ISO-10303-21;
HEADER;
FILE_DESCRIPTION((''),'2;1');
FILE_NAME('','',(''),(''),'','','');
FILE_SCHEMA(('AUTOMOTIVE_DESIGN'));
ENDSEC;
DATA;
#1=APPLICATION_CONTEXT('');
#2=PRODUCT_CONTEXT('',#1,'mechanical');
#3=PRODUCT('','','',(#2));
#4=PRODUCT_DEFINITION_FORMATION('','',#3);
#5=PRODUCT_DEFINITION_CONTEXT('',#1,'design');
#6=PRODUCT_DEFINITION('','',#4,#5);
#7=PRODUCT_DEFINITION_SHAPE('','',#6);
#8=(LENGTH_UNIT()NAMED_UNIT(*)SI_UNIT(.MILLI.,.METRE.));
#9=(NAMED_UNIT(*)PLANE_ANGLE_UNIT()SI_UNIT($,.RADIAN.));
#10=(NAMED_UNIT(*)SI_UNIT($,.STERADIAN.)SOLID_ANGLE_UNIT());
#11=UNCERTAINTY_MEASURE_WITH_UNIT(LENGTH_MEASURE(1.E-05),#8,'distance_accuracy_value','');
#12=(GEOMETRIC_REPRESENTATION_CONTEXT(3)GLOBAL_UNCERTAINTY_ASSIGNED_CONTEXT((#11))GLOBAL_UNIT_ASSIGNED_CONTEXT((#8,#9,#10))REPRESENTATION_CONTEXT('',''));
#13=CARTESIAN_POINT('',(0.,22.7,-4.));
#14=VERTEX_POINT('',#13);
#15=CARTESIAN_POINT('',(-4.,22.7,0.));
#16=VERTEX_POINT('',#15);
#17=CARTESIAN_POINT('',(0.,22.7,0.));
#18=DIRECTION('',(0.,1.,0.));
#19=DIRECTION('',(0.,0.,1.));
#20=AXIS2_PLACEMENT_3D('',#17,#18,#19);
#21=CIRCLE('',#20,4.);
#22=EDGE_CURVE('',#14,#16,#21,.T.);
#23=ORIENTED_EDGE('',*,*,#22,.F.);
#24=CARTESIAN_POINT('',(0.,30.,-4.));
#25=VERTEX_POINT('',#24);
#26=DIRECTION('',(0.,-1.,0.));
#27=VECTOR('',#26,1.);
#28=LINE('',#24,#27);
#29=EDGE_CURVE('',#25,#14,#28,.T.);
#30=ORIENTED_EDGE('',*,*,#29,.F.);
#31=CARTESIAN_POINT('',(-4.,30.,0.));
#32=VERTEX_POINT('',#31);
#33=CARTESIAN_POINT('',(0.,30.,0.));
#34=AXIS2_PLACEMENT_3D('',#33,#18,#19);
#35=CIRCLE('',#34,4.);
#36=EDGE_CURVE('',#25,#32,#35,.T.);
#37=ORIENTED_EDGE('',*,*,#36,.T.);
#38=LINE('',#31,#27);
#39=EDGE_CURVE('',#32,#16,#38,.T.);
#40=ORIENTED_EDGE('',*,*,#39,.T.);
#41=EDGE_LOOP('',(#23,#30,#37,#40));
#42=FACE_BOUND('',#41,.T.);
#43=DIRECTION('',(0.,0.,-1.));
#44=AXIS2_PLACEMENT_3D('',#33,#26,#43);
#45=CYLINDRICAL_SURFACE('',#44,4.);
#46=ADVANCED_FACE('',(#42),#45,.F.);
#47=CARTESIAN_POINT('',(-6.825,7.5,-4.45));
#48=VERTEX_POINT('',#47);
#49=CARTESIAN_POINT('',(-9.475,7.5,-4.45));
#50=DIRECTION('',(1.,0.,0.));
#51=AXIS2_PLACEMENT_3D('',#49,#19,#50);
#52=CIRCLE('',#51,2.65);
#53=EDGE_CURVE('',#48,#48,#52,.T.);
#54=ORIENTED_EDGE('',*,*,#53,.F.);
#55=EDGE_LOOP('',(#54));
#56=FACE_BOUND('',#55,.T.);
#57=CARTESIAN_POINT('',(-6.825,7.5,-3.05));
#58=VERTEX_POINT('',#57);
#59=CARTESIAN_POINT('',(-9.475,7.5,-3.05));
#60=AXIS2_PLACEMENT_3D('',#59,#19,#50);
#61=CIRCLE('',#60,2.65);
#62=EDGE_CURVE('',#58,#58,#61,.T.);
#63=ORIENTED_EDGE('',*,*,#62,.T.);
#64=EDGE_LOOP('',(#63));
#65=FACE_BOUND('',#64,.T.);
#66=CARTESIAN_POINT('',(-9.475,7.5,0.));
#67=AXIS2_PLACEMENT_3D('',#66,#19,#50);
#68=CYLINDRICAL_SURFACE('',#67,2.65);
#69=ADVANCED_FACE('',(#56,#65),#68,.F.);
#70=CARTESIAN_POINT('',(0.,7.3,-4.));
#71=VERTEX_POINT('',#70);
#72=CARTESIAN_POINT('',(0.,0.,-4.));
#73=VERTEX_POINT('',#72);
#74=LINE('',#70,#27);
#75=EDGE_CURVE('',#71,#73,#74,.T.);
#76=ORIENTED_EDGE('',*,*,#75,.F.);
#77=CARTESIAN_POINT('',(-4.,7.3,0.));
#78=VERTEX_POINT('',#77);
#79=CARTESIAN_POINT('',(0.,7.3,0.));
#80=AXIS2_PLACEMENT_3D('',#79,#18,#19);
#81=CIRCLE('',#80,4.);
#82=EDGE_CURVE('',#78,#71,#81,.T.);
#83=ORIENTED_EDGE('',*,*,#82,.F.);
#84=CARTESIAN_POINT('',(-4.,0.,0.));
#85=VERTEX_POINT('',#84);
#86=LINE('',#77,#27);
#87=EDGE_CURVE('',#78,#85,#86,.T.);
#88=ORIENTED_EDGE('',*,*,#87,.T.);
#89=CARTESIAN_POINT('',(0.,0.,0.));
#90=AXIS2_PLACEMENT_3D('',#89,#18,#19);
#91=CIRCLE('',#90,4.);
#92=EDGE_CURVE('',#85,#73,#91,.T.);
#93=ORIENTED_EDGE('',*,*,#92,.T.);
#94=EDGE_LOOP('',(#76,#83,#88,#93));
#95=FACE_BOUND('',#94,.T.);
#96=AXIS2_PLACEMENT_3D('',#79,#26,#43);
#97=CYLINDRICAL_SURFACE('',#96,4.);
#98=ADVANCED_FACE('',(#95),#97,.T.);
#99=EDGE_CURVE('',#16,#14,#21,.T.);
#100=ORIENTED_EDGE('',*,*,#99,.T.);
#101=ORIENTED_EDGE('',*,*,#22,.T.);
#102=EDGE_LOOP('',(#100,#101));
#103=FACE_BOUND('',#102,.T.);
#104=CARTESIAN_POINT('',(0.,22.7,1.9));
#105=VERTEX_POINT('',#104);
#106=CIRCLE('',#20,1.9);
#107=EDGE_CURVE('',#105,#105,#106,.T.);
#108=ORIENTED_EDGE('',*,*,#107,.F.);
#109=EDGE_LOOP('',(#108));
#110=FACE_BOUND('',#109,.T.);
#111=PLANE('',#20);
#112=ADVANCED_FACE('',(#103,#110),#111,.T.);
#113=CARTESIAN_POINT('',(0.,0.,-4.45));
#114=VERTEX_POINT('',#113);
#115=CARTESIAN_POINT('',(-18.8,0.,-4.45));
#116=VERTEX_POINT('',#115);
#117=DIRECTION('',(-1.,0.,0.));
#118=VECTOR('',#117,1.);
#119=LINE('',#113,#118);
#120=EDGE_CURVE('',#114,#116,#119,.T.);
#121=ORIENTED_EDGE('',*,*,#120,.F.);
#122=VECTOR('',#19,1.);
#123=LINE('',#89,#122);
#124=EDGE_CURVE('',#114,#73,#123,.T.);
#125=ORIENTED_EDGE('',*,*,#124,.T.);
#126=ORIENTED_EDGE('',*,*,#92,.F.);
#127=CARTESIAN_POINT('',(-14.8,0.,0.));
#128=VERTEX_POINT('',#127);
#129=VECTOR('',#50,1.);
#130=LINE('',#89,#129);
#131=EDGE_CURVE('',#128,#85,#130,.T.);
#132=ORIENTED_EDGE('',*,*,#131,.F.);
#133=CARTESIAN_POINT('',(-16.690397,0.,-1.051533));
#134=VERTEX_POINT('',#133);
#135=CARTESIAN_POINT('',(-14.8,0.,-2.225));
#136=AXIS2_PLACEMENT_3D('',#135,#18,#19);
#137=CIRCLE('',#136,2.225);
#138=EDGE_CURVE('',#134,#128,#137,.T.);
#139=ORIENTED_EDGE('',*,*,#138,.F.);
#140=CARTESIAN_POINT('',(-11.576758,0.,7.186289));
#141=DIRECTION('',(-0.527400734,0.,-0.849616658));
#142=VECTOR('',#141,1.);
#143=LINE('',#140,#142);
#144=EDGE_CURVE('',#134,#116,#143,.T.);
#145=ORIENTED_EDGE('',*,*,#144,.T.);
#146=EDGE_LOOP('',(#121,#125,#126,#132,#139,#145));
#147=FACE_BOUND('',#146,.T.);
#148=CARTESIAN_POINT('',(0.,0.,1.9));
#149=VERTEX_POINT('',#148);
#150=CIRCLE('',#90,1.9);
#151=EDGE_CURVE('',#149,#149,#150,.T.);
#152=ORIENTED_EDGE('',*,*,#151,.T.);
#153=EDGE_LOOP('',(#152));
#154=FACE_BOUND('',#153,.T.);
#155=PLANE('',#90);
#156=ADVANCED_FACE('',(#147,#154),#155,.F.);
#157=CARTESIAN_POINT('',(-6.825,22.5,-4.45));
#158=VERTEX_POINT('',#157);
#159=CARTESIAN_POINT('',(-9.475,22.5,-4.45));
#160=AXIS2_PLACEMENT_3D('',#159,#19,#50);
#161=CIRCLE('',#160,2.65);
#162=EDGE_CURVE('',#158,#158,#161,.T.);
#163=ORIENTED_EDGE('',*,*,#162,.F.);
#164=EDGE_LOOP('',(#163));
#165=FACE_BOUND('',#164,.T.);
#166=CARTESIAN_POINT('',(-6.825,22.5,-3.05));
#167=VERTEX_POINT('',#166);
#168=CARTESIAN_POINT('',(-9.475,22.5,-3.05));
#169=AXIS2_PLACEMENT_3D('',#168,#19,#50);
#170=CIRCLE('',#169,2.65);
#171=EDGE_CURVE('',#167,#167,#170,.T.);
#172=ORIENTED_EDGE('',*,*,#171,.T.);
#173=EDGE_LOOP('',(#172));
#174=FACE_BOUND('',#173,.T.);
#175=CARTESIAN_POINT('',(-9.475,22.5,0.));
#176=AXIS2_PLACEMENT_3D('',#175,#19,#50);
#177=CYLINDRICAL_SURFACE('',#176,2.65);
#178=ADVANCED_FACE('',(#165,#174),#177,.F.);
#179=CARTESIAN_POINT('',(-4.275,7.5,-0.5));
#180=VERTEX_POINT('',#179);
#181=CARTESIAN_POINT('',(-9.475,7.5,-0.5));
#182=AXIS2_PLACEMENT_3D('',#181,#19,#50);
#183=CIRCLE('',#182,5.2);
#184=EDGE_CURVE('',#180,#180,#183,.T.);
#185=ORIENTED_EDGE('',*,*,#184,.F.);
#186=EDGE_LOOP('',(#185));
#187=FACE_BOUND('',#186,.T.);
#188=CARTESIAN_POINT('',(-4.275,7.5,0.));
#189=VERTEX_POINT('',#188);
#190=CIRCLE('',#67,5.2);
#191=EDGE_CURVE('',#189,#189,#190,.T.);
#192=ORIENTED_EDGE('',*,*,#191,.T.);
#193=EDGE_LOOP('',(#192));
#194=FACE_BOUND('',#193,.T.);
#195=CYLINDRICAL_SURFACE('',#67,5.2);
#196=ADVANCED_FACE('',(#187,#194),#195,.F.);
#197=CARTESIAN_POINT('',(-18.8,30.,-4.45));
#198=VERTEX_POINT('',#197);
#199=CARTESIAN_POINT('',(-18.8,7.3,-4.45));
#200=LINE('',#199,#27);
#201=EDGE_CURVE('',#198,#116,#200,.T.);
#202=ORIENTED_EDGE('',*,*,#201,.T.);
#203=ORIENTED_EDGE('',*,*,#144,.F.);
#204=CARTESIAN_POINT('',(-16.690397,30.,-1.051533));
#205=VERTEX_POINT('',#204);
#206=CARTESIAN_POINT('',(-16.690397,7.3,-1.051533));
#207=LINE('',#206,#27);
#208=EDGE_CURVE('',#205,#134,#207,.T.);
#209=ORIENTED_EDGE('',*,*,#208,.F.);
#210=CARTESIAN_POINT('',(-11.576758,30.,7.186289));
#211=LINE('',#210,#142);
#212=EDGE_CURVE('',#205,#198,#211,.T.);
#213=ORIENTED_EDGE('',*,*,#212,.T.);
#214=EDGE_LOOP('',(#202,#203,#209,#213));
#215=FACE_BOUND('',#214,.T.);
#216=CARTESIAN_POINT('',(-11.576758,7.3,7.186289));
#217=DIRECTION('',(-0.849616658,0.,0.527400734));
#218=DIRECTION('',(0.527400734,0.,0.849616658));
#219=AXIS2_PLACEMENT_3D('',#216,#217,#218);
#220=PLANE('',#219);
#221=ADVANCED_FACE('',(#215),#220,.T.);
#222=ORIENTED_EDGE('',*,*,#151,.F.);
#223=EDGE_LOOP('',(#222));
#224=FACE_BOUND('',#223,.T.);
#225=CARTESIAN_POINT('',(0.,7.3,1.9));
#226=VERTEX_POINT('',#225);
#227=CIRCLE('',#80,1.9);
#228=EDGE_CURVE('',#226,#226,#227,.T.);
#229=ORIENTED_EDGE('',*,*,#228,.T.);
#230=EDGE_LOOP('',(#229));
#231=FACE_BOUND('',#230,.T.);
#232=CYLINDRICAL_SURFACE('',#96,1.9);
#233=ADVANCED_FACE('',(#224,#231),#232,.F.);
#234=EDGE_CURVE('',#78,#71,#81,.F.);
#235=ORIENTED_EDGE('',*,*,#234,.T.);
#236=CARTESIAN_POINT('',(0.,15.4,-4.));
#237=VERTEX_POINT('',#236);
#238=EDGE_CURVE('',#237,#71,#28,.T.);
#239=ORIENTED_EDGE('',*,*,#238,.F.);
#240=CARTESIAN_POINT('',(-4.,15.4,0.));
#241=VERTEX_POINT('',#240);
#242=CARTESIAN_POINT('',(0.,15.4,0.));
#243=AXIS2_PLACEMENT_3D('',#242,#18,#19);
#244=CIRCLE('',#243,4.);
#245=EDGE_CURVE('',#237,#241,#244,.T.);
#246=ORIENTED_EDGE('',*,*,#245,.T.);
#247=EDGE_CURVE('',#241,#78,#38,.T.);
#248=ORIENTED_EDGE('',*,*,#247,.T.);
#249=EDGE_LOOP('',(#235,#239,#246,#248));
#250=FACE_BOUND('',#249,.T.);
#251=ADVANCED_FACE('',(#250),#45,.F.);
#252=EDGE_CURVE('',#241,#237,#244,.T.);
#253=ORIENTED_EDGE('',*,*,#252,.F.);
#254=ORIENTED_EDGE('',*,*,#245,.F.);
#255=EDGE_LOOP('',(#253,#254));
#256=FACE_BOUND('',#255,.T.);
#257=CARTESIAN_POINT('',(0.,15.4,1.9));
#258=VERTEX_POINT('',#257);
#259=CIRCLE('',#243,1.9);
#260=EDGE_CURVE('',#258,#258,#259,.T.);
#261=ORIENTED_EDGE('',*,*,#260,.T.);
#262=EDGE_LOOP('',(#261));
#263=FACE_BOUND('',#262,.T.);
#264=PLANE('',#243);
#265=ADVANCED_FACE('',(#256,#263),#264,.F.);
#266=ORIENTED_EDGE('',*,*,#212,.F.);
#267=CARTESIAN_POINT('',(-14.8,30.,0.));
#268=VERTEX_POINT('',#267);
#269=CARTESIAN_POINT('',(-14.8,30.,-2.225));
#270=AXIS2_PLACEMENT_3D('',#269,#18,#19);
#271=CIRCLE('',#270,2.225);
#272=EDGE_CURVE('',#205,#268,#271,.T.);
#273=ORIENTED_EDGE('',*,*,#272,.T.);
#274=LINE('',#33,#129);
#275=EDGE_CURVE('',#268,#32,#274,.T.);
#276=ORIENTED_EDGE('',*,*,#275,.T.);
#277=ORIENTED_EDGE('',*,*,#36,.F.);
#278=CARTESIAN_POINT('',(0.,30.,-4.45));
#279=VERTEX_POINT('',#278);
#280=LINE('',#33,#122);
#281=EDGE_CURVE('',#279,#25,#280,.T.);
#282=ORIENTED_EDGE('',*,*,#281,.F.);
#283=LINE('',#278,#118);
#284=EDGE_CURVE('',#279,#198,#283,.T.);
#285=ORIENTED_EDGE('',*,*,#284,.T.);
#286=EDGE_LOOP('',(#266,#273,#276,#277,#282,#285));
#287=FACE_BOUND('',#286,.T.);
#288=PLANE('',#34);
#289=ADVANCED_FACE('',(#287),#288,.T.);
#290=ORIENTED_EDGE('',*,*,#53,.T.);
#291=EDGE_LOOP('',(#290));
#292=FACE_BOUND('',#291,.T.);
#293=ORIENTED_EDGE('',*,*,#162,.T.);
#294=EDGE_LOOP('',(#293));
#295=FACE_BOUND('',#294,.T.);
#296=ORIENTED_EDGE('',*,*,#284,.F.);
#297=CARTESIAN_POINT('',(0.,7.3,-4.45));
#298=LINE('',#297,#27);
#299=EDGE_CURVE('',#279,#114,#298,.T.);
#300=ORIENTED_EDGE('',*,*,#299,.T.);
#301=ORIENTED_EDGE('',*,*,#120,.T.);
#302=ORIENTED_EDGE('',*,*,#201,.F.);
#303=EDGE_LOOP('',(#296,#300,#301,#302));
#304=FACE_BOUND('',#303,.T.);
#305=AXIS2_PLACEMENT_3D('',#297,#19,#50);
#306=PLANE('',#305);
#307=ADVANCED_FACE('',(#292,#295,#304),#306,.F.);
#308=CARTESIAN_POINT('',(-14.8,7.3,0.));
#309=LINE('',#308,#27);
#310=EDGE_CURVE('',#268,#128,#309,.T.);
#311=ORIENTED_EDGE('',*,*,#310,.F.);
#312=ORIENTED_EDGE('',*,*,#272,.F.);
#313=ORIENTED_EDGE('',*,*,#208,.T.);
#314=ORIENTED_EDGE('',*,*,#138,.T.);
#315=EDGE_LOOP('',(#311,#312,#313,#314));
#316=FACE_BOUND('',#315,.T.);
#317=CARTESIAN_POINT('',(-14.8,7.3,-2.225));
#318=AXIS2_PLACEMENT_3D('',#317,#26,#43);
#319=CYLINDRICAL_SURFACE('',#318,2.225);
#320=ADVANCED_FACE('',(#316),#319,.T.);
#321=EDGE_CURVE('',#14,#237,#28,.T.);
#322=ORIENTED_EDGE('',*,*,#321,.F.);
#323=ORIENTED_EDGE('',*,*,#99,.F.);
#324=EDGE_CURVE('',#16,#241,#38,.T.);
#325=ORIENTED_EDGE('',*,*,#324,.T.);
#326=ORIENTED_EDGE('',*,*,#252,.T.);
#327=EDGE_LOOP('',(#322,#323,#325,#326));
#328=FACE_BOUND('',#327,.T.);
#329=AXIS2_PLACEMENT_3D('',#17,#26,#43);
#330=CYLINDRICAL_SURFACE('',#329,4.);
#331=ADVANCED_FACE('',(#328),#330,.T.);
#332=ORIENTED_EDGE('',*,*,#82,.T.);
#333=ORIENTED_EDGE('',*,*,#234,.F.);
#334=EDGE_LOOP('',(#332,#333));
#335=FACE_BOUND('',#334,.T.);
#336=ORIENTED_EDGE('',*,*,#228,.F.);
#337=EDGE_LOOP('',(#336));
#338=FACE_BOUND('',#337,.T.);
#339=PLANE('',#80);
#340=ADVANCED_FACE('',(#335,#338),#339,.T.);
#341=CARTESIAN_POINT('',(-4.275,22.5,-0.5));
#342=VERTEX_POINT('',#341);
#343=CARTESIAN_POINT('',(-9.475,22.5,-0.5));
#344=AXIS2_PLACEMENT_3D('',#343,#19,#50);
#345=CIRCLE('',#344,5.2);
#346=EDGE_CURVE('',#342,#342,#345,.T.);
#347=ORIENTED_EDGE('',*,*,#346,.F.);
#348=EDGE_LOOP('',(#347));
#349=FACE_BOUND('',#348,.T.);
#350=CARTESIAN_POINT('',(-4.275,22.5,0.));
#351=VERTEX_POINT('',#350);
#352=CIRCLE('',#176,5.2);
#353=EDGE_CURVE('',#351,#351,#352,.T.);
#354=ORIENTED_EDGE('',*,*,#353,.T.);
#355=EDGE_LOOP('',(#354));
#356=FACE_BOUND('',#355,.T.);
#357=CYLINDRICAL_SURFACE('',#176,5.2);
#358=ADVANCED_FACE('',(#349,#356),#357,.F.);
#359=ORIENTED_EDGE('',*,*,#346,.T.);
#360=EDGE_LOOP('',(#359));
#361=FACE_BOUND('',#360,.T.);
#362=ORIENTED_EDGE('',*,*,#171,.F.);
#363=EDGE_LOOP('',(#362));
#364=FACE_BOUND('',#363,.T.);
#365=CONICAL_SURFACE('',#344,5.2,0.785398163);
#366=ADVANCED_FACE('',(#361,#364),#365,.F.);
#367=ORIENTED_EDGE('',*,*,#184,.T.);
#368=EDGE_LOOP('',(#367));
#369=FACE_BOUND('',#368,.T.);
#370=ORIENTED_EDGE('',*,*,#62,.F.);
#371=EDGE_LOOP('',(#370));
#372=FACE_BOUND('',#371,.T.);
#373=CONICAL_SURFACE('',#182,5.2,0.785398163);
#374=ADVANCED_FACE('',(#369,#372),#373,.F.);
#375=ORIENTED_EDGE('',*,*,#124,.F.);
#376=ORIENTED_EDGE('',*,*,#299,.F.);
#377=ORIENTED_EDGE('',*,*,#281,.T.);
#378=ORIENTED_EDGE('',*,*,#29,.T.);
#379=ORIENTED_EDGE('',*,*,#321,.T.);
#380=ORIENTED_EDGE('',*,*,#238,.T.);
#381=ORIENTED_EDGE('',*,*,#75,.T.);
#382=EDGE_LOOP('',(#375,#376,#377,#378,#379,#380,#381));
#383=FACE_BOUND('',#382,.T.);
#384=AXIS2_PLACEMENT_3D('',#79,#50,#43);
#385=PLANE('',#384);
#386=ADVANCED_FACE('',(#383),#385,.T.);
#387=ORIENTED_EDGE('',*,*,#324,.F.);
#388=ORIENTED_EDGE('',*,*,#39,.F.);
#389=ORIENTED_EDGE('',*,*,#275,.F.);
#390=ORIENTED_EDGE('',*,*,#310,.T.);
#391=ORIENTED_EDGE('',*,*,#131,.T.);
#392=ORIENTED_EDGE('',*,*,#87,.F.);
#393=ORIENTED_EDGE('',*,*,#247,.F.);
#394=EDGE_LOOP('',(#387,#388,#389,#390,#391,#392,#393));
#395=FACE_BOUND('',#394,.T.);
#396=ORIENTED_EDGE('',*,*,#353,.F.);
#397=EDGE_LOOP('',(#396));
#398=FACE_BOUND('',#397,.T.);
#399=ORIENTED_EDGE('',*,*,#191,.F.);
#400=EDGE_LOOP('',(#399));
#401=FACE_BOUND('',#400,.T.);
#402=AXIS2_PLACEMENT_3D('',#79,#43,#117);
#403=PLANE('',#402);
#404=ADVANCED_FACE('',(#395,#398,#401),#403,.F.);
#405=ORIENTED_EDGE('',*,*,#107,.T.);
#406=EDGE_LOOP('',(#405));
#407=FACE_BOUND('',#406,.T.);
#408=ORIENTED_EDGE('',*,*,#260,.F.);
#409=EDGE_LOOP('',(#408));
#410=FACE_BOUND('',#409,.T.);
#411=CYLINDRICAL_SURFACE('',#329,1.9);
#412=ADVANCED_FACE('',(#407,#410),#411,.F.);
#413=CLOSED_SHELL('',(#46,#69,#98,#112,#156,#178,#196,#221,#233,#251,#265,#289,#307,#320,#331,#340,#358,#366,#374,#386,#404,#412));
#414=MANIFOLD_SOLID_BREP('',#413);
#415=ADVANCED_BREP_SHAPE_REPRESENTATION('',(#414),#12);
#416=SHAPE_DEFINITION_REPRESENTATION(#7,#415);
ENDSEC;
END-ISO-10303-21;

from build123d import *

# Parameters (mm, degrees)
SKETCH1_R                                    = 1.9
BOSS_EXTRUDE1_DEPTH                          = 7.3
BOSS_EXTRUDE2_DEPTH                          = 30
BOSS_EXTRUDE5_START                          = 15.4
SKETCH1_7_R                                  = 1.9
BOSS_EXTRUDE5_DEPTH                          = 7.3
CSK_FOR_M5_COUNTERSUNK_FLAT_HEAD_SCR_2_COUNT = 2
CSK_FOR_M5_COUNTERSUNK_FLAT_HEAD_SCR_2_PITCH = 15


with BuildPart() as part:
    # Sketch1 → Boss-Extrude1 (new body)
    with BuildSketch(Plane(origin=(0, 0, 0), x_dir=(1, 0, 0), z_dir=(0, 1, 0))):
        with BuildLine():
            Line((0, 4), (0, 4.45))
            Line((0, 4.45), (-18.8, 4.45))
            Line((-18.8, 4.45), (-16.690397065, 1.051533367))
            ThreePointArc((-16.690397065, 1.051533367), (-15.8815872, 0.280573573), (-14.8, 0))
            Line((-14.8, 0), (-4, 0))
            ThreePointArc((-4, 0), (2.828427125, -2.828427125), (0, 4))
        make_face()
        Circle(SKETCH1_R, mode=Mode.SUBTRACT)
    extrude(amount=BOSS_EXTRUDE1_DEPTH)

    # Sketch1<3> → Boss-Extrude2 (add)
    with BuildSketch(Plane(origin=(0, 0, 0), x_dir=(1, 0, 0), z_dir=(0, 1, 0))):
        with BuildLine():
            Line((0, 4), (0, 4.45))
            Line((0, 4.45), (-18.8, 4.45))
            Line((-18.8, 4.45), (-16.690397065, 1.051533367))
            ThreePointArc((-16.690397065, 1.051533367), (-15.8815872, 0.280573573), (-14.8, 0))
            Line((-14.8, 0), (-4, 0))
            ThreePointArc((-4, 0), (-2.828427125, 2.828427125), (0, 4))
        make_face()
    extrude(amount=BOSS_EXTRUDE2_DEPTH)

    # Sketch1<7> → Boss-Extrude5 (add)
    with BuildSketch(Plane(origin=(0, 0, 0), x_dir=(1, 0, 0), z_dir=(0, 1, 0)).offset(BOSS_EXTRUDE5_START)):
        with BuildLine():
            ThreePointArc((4, 0), (2.828427125, 2.828427125), (0, 4))
            ThreePointArc((0, 4), (-2.828427125, 2.828427125), (-4, 0))
            ThreePointArc((-4, 0), (0, -4), (4, 0))
        make_face()
        Circle(SKETCH1_7_R, mode=Mode.SUBTRACT)
    extrude(amount=BOSS_EXTRUDE5_DEPTH)

    # Sketch3 → CSK for M5 Countersunk Flat Head Screw1 (revolve, cut)
    with BuildSketch(Plane(origin=(-9.475, 22.5, 0), x_dir=(0, -1, 0), z_dir=(1, 0, 0))):
        Polygon((0, 0), (0, 4.45), (2.65, 4.45), (2.65, 3.05), (5.2, 0.5), (5.2, 0), align=None)
    csk_for_m5_countersunk_flat_head_screw1 = revolve(axis=Axis((-9.475, 22.5, 6.35), (0, 0, -1)), mode=Mode.SUBTRACT)

    # CSK for M5 Countersunk Flat Head Scr 2: CSK for M5 Countersunk Flat Head Screw1 ×2
    with Locations(*[(0, -i * CSK_FOR_M5_COUNTERSUNK_FLAT_HEAD_SCR_2_PITCH, 0) for i in range(1, CSK_FOR_M5_COUNTERSUNK_FLAT_HEAD_SCR_2_COUNT)]):
        add(csk_for_m5_countersunk_flat_head_screw1, mode=Mode.SUBTRACT)


solid = part.part
